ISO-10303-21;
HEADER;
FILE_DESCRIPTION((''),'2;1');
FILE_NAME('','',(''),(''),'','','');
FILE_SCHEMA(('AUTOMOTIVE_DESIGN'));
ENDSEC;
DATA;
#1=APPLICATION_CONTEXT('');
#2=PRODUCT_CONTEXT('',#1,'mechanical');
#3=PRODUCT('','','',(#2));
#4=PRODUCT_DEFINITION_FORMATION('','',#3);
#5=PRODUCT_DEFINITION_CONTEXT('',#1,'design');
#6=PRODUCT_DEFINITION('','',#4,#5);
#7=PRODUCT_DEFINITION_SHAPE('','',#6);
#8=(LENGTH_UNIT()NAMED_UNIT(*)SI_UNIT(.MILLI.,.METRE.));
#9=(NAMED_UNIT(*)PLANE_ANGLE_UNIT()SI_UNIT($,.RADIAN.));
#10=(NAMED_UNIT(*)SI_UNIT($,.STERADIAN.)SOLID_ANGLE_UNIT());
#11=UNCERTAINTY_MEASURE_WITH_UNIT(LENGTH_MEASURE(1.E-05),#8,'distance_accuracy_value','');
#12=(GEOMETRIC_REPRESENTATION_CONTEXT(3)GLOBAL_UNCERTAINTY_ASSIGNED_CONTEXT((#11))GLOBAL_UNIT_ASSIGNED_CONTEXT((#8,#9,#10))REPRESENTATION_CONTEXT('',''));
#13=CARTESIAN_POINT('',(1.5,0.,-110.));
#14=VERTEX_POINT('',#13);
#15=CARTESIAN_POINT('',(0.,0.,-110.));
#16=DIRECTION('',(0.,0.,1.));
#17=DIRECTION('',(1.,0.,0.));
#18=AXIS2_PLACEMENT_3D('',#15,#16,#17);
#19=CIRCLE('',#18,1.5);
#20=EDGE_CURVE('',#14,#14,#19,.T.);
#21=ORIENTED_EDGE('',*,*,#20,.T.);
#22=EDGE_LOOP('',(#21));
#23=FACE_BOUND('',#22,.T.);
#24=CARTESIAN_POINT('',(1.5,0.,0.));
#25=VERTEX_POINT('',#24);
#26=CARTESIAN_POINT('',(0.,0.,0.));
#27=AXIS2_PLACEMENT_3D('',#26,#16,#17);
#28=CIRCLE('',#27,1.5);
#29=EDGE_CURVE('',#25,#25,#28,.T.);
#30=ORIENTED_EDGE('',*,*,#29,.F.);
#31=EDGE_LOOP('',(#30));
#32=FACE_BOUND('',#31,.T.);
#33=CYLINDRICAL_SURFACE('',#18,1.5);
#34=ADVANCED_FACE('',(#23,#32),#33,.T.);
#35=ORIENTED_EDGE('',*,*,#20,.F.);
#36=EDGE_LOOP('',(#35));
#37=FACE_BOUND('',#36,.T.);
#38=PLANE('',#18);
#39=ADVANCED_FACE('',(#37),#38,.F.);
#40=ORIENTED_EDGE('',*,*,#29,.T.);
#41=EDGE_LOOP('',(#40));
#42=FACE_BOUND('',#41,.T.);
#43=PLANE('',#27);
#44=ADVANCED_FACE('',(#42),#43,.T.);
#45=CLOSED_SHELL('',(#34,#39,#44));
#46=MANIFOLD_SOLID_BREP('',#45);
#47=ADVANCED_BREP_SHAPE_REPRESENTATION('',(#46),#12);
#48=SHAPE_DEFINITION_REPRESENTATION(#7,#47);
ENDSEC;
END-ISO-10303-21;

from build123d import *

# Parameters (mm, degrees)
CROQUIS1_R              = 1.5
SALIENTE_EXTRUIR1_DEPTH = 110


with BuildPart() as part:
    # Croquis1 → Saliente-Extruir1 (new body)
    with BuildSketch(Plane.XY):
        Circle(CROQUIS1_R)
    extrude(amount=-SALIENTE_EXTRUIR1_DEPTH)


solid = part.part
